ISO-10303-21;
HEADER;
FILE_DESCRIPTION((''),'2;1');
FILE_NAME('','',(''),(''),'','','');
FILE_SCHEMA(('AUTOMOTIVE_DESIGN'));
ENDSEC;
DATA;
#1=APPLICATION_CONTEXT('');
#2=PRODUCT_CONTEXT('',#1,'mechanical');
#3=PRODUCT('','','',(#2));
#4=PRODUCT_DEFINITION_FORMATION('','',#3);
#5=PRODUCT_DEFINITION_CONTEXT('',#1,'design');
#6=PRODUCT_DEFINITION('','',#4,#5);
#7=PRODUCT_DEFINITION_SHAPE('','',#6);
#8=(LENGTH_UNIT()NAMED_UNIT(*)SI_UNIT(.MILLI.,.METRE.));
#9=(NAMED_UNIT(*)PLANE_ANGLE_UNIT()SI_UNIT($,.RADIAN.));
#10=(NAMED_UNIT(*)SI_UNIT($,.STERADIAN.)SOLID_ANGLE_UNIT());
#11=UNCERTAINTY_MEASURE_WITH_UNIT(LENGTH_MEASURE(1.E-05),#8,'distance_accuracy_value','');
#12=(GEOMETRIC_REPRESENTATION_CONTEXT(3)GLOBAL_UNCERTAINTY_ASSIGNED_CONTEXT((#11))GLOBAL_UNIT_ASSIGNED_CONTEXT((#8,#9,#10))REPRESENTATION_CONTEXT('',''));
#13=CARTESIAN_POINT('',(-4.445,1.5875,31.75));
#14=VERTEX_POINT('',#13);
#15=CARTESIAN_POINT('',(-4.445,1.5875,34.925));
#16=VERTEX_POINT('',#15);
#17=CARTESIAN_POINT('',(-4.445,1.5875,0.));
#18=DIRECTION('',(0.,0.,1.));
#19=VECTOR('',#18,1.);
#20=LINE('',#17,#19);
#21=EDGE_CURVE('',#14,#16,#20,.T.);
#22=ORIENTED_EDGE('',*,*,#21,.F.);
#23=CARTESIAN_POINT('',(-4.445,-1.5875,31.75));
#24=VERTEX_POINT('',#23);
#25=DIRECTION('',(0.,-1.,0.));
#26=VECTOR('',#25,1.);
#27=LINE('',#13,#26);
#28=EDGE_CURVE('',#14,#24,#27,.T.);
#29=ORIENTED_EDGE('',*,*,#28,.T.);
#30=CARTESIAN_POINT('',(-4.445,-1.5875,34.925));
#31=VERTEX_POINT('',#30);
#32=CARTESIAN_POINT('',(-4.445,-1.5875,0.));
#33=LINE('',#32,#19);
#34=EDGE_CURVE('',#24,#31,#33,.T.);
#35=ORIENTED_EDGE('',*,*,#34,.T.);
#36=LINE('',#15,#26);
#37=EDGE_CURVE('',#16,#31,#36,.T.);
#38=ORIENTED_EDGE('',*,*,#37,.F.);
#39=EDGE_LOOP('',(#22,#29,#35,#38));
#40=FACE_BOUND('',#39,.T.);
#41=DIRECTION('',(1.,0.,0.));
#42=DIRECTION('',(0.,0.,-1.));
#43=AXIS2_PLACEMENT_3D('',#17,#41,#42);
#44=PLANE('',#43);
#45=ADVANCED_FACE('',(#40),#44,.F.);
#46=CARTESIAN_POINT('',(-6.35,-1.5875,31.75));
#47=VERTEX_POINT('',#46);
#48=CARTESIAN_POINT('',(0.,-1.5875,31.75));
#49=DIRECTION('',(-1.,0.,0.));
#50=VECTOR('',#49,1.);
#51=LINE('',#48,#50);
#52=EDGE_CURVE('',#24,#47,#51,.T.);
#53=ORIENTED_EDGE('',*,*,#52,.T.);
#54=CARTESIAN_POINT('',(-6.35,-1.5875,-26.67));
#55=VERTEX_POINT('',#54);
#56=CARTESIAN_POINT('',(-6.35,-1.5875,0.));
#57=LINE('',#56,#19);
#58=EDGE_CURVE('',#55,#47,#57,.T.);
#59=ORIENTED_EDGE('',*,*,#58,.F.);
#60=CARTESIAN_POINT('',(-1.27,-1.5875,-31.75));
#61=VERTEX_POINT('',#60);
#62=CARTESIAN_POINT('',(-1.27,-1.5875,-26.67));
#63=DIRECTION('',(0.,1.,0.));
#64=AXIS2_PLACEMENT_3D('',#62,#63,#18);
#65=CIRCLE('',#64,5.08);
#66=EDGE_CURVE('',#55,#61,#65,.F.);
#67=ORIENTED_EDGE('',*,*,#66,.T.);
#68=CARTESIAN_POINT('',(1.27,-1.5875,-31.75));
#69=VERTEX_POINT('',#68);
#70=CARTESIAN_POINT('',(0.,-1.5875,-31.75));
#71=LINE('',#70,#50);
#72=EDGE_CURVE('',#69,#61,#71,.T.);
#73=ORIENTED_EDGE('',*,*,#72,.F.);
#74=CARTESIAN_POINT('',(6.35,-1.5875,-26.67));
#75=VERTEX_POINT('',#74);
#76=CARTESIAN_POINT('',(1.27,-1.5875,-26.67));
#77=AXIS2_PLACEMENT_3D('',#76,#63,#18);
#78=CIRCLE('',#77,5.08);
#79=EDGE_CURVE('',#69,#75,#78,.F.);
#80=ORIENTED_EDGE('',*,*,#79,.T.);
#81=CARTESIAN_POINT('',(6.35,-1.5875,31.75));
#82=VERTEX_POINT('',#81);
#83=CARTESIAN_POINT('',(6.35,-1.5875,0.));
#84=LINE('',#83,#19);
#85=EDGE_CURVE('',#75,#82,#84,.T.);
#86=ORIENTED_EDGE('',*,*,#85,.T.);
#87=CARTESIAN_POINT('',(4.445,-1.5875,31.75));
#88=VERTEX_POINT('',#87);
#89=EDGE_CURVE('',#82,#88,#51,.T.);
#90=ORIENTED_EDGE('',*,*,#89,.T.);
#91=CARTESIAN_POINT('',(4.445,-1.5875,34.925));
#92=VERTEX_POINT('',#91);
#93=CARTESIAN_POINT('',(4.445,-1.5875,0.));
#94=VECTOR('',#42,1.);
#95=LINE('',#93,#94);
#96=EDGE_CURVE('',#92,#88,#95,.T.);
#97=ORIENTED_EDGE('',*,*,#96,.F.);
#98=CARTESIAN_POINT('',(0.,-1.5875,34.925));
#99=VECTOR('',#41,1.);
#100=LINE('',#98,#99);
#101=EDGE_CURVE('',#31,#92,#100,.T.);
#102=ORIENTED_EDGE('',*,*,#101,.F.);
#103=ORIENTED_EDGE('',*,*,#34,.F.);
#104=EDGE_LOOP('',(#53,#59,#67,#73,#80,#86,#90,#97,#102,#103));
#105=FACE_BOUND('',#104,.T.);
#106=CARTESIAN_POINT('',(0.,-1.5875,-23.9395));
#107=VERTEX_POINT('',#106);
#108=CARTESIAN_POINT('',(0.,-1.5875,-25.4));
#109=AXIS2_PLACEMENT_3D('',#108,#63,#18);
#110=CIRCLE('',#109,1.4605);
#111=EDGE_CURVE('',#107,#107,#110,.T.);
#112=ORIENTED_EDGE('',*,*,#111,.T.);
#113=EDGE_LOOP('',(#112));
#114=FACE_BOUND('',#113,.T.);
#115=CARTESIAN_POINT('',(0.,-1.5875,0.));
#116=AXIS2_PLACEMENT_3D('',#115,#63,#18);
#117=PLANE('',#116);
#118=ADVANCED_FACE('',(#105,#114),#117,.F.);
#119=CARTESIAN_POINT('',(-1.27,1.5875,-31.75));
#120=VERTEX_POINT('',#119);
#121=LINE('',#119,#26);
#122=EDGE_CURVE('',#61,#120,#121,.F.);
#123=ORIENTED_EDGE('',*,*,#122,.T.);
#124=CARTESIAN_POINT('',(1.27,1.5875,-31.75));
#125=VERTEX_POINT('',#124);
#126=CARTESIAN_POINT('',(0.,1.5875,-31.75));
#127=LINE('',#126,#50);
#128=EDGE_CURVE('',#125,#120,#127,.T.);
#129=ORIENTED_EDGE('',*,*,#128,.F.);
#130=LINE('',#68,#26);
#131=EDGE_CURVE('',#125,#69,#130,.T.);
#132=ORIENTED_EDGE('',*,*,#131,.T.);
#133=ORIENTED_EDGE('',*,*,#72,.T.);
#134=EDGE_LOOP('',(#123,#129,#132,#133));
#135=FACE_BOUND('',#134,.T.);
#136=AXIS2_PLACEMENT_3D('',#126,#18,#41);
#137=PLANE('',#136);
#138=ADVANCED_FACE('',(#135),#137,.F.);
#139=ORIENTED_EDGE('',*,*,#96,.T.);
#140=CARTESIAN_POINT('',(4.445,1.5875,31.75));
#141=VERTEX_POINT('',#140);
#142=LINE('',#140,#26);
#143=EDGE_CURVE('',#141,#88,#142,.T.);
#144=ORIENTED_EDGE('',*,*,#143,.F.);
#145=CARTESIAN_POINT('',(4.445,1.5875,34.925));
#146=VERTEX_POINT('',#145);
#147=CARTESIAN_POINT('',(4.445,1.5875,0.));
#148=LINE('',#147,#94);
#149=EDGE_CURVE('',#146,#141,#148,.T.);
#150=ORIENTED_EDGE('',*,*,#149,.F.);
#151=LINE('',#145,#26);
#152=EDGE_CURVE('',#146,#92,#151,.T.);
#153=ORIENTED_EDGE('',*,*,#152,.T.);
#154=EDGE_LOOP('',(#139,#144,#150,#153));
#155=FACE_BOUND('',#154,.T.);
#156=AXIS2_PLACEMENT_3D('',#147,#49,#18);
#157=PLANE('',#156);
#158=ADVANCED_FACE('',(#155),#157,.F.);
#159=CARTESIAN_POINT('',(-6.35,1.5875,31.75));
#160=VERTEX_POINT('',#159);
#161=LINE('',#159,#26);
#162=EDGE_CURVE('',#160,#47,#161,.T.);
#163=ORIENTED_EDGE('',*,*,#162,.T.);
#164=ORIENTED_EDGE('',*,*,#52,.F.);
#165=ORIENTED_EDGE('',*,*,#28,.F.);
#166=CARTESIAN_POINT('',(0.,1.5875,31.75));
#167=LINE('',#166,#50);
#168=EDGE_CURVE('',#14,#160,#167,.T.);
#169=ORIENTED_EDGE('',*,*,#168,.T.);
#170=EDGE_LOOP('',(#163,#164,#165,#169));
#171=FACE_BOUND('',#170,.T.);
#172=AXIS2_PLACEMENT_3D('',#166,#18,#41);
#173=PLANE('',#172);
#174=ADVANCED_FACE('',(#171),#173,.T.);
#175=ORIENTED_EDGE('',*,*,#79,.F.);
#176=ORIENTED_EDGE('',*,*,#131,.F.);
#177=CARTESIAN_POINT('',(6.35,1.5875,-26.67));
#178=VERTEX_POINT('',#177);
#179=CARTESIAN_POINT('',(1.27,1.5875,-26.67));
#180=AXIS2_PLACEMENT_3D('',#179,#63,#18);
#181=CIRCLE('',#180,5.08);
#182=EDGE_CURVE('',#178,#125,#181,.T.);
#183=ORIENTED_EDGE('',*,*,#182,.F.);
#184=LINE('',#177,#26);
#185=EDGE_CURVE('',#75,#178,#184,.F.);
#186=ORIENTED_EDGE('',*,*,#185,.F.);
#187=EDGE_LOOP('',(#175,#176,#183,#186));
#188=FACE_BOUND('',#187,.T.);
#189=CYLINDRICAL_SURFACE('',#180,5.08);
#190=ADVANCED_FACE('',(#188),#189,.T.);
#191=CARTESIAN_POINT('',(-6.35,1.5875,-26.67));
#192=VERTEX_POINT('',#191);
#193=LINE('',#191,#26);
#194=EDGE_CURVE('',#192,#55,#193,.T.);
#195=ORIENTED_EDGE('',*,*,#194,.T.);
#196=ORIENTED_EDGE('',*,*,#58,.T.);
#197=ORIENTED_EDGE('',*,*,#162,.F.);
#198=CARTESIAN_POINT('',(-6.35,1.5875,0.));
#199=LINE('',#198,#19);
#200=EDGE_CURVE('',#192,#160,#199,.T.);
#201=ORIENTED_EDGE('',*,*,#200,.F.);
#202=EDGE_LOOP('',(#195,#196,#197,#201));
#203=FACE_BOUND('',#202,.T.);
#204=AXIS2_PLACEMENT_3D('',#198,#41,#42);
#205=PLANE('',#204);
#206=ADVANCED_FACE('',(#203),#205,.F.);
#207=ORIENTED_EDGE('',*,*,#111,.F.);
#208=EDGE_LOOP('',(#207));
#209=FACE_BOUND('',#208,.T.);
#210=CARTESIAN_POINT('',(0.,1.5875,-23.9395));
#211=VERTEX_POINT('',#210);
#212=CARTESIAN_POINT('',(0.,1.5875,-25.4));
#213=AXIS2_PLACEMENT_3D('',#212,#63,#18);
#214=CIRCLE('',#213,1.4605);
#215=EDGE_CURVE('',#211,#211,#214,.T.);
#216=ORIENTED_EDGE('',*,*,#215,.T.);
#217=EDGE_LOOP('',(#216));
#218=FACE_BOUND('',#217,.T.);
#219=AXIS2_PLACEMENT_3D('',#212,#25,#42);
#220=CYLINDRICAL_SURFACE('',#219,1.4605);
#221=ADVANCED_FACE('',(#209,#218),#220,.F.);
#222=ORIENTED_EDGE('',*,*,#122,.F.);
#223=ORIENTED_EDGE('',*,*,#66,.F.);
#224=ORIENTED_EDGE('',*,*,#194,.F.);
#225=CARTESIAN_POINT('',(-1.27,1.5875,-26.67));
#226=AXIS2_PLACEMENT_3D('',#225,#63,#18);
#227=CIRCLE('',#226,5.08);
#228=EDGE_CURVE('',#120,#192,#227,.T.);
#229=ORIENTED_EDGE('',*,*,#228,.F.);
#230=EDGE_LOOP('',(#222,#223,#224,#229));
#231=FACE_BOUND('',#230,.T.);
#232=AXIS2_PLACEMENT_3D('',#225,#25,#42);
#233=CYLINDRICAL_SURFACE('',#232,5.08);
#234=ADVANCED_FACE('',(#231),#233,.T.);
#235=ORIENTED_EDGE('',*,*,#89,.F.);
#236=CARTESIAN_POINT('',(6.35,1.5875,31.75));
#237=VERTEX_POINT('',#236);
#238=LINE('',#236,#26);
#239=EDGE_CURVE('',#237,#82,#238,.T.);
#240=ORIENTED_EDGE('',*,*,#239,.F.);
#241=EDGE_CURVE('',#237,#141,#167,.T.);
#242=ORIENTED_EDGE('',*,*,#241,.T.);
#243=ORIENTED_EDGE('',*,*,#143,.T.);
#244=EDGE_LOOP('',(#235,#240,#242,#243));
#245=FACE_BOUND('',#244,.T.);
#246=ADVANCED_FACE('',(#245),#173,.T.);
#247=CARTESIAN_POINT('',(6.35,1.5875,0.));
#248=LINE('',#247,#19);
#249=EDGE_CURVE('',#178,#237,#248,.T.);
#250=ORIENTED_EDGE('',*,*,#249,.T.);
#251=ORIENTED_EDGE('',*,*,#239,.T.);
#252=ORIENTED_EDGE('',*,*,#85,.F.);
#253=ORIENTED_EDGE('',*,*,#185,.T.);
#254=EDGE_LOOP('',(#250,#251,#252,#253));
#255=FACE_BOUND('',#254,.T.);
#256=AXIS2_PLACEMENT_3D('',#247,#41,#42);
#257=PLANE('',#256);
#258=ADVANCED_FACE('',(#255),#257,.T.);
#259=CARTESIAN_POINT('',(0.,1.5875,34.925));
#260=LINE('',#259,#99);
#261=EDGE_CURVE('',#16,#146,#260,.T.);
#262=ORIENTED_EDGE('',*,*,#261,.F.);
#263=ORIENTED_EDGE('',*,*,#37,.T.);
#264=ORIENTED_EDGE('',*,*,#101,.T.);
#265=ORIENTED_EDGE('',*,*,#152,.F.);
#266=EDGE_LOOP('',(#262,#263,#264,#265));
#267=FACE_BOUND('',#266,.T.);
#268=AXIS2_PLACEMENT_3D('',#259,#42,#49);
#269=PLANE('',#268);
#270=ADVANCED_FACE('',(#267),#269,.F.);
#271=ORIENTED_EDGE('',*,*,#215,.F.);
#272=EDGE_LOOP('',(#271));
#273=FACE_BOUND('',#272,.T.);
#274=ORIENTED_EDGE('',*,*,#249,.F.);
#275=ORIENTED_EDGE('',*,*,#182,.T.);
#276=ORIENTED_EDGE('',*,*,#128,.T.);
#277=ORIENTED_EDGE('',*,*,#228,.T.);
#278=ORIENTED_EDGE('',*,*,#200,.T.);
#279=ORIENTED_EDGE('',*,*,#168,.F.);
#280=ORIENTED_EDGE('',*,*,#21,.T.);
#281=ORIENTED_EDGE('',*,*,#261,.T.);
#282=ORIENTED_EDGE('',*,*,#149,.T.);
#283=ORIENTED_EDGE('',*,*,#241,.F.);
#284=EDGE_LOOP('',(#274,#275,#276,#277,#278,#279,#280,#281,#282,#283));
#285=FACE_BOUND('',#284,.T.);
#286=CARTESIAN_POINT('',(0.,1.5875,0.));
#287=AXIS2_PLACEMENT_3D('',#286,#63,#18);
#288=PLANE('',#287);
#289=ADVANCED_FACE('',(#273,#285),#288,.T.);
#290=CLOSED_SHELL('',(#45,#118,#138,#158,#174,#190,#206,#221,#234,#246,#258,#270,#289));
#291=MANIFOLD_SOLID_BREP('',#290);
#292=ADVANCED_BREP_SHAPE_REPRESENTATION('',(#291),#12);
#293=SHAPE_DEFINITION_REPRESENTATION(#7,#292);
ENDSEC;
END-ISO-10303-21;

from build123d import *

# Parameters (mm, degrees)
SKETCH2_R           = 1.4605
BOSS_EXTRUDE1_DEPTH = 1.5875
FILLET1_R           = 5.08


with BuildPart() as part:
    # Sketch2 → Boss-Extrude1 (new body, symmetric)
    with BuildSketch(Plane(origin=(0, 0, 0), x_dir=(1, 0, 0), z_dir=(0, 1, 0))):
        Polygon((4.445, -34.925), (4.445, -31.75), (6.35, -31.75), (6.35, 31.75), (-6.35, 31.75), (-6.35, -31.75), (-4.445, -31.75), (-4.445, -34.925), align=None)
        with Locations((0, 25.4)):
            Circle(SKETCH2_R, mode=Mode.SUBTRACT)
    extrude(amount=BOSS_EXTRUDE1_DEPTH, both=True)

    # Fillet1
    fillet1_edges = [part.edges().sort_by_distance(p)[0] for p in [
        (6.35, 0, -31.75),
        (-6.35, 0, -31.75),
    ]]
    fillet(fillet1_edges, radius=FILLET1_R)


solid = part.part
